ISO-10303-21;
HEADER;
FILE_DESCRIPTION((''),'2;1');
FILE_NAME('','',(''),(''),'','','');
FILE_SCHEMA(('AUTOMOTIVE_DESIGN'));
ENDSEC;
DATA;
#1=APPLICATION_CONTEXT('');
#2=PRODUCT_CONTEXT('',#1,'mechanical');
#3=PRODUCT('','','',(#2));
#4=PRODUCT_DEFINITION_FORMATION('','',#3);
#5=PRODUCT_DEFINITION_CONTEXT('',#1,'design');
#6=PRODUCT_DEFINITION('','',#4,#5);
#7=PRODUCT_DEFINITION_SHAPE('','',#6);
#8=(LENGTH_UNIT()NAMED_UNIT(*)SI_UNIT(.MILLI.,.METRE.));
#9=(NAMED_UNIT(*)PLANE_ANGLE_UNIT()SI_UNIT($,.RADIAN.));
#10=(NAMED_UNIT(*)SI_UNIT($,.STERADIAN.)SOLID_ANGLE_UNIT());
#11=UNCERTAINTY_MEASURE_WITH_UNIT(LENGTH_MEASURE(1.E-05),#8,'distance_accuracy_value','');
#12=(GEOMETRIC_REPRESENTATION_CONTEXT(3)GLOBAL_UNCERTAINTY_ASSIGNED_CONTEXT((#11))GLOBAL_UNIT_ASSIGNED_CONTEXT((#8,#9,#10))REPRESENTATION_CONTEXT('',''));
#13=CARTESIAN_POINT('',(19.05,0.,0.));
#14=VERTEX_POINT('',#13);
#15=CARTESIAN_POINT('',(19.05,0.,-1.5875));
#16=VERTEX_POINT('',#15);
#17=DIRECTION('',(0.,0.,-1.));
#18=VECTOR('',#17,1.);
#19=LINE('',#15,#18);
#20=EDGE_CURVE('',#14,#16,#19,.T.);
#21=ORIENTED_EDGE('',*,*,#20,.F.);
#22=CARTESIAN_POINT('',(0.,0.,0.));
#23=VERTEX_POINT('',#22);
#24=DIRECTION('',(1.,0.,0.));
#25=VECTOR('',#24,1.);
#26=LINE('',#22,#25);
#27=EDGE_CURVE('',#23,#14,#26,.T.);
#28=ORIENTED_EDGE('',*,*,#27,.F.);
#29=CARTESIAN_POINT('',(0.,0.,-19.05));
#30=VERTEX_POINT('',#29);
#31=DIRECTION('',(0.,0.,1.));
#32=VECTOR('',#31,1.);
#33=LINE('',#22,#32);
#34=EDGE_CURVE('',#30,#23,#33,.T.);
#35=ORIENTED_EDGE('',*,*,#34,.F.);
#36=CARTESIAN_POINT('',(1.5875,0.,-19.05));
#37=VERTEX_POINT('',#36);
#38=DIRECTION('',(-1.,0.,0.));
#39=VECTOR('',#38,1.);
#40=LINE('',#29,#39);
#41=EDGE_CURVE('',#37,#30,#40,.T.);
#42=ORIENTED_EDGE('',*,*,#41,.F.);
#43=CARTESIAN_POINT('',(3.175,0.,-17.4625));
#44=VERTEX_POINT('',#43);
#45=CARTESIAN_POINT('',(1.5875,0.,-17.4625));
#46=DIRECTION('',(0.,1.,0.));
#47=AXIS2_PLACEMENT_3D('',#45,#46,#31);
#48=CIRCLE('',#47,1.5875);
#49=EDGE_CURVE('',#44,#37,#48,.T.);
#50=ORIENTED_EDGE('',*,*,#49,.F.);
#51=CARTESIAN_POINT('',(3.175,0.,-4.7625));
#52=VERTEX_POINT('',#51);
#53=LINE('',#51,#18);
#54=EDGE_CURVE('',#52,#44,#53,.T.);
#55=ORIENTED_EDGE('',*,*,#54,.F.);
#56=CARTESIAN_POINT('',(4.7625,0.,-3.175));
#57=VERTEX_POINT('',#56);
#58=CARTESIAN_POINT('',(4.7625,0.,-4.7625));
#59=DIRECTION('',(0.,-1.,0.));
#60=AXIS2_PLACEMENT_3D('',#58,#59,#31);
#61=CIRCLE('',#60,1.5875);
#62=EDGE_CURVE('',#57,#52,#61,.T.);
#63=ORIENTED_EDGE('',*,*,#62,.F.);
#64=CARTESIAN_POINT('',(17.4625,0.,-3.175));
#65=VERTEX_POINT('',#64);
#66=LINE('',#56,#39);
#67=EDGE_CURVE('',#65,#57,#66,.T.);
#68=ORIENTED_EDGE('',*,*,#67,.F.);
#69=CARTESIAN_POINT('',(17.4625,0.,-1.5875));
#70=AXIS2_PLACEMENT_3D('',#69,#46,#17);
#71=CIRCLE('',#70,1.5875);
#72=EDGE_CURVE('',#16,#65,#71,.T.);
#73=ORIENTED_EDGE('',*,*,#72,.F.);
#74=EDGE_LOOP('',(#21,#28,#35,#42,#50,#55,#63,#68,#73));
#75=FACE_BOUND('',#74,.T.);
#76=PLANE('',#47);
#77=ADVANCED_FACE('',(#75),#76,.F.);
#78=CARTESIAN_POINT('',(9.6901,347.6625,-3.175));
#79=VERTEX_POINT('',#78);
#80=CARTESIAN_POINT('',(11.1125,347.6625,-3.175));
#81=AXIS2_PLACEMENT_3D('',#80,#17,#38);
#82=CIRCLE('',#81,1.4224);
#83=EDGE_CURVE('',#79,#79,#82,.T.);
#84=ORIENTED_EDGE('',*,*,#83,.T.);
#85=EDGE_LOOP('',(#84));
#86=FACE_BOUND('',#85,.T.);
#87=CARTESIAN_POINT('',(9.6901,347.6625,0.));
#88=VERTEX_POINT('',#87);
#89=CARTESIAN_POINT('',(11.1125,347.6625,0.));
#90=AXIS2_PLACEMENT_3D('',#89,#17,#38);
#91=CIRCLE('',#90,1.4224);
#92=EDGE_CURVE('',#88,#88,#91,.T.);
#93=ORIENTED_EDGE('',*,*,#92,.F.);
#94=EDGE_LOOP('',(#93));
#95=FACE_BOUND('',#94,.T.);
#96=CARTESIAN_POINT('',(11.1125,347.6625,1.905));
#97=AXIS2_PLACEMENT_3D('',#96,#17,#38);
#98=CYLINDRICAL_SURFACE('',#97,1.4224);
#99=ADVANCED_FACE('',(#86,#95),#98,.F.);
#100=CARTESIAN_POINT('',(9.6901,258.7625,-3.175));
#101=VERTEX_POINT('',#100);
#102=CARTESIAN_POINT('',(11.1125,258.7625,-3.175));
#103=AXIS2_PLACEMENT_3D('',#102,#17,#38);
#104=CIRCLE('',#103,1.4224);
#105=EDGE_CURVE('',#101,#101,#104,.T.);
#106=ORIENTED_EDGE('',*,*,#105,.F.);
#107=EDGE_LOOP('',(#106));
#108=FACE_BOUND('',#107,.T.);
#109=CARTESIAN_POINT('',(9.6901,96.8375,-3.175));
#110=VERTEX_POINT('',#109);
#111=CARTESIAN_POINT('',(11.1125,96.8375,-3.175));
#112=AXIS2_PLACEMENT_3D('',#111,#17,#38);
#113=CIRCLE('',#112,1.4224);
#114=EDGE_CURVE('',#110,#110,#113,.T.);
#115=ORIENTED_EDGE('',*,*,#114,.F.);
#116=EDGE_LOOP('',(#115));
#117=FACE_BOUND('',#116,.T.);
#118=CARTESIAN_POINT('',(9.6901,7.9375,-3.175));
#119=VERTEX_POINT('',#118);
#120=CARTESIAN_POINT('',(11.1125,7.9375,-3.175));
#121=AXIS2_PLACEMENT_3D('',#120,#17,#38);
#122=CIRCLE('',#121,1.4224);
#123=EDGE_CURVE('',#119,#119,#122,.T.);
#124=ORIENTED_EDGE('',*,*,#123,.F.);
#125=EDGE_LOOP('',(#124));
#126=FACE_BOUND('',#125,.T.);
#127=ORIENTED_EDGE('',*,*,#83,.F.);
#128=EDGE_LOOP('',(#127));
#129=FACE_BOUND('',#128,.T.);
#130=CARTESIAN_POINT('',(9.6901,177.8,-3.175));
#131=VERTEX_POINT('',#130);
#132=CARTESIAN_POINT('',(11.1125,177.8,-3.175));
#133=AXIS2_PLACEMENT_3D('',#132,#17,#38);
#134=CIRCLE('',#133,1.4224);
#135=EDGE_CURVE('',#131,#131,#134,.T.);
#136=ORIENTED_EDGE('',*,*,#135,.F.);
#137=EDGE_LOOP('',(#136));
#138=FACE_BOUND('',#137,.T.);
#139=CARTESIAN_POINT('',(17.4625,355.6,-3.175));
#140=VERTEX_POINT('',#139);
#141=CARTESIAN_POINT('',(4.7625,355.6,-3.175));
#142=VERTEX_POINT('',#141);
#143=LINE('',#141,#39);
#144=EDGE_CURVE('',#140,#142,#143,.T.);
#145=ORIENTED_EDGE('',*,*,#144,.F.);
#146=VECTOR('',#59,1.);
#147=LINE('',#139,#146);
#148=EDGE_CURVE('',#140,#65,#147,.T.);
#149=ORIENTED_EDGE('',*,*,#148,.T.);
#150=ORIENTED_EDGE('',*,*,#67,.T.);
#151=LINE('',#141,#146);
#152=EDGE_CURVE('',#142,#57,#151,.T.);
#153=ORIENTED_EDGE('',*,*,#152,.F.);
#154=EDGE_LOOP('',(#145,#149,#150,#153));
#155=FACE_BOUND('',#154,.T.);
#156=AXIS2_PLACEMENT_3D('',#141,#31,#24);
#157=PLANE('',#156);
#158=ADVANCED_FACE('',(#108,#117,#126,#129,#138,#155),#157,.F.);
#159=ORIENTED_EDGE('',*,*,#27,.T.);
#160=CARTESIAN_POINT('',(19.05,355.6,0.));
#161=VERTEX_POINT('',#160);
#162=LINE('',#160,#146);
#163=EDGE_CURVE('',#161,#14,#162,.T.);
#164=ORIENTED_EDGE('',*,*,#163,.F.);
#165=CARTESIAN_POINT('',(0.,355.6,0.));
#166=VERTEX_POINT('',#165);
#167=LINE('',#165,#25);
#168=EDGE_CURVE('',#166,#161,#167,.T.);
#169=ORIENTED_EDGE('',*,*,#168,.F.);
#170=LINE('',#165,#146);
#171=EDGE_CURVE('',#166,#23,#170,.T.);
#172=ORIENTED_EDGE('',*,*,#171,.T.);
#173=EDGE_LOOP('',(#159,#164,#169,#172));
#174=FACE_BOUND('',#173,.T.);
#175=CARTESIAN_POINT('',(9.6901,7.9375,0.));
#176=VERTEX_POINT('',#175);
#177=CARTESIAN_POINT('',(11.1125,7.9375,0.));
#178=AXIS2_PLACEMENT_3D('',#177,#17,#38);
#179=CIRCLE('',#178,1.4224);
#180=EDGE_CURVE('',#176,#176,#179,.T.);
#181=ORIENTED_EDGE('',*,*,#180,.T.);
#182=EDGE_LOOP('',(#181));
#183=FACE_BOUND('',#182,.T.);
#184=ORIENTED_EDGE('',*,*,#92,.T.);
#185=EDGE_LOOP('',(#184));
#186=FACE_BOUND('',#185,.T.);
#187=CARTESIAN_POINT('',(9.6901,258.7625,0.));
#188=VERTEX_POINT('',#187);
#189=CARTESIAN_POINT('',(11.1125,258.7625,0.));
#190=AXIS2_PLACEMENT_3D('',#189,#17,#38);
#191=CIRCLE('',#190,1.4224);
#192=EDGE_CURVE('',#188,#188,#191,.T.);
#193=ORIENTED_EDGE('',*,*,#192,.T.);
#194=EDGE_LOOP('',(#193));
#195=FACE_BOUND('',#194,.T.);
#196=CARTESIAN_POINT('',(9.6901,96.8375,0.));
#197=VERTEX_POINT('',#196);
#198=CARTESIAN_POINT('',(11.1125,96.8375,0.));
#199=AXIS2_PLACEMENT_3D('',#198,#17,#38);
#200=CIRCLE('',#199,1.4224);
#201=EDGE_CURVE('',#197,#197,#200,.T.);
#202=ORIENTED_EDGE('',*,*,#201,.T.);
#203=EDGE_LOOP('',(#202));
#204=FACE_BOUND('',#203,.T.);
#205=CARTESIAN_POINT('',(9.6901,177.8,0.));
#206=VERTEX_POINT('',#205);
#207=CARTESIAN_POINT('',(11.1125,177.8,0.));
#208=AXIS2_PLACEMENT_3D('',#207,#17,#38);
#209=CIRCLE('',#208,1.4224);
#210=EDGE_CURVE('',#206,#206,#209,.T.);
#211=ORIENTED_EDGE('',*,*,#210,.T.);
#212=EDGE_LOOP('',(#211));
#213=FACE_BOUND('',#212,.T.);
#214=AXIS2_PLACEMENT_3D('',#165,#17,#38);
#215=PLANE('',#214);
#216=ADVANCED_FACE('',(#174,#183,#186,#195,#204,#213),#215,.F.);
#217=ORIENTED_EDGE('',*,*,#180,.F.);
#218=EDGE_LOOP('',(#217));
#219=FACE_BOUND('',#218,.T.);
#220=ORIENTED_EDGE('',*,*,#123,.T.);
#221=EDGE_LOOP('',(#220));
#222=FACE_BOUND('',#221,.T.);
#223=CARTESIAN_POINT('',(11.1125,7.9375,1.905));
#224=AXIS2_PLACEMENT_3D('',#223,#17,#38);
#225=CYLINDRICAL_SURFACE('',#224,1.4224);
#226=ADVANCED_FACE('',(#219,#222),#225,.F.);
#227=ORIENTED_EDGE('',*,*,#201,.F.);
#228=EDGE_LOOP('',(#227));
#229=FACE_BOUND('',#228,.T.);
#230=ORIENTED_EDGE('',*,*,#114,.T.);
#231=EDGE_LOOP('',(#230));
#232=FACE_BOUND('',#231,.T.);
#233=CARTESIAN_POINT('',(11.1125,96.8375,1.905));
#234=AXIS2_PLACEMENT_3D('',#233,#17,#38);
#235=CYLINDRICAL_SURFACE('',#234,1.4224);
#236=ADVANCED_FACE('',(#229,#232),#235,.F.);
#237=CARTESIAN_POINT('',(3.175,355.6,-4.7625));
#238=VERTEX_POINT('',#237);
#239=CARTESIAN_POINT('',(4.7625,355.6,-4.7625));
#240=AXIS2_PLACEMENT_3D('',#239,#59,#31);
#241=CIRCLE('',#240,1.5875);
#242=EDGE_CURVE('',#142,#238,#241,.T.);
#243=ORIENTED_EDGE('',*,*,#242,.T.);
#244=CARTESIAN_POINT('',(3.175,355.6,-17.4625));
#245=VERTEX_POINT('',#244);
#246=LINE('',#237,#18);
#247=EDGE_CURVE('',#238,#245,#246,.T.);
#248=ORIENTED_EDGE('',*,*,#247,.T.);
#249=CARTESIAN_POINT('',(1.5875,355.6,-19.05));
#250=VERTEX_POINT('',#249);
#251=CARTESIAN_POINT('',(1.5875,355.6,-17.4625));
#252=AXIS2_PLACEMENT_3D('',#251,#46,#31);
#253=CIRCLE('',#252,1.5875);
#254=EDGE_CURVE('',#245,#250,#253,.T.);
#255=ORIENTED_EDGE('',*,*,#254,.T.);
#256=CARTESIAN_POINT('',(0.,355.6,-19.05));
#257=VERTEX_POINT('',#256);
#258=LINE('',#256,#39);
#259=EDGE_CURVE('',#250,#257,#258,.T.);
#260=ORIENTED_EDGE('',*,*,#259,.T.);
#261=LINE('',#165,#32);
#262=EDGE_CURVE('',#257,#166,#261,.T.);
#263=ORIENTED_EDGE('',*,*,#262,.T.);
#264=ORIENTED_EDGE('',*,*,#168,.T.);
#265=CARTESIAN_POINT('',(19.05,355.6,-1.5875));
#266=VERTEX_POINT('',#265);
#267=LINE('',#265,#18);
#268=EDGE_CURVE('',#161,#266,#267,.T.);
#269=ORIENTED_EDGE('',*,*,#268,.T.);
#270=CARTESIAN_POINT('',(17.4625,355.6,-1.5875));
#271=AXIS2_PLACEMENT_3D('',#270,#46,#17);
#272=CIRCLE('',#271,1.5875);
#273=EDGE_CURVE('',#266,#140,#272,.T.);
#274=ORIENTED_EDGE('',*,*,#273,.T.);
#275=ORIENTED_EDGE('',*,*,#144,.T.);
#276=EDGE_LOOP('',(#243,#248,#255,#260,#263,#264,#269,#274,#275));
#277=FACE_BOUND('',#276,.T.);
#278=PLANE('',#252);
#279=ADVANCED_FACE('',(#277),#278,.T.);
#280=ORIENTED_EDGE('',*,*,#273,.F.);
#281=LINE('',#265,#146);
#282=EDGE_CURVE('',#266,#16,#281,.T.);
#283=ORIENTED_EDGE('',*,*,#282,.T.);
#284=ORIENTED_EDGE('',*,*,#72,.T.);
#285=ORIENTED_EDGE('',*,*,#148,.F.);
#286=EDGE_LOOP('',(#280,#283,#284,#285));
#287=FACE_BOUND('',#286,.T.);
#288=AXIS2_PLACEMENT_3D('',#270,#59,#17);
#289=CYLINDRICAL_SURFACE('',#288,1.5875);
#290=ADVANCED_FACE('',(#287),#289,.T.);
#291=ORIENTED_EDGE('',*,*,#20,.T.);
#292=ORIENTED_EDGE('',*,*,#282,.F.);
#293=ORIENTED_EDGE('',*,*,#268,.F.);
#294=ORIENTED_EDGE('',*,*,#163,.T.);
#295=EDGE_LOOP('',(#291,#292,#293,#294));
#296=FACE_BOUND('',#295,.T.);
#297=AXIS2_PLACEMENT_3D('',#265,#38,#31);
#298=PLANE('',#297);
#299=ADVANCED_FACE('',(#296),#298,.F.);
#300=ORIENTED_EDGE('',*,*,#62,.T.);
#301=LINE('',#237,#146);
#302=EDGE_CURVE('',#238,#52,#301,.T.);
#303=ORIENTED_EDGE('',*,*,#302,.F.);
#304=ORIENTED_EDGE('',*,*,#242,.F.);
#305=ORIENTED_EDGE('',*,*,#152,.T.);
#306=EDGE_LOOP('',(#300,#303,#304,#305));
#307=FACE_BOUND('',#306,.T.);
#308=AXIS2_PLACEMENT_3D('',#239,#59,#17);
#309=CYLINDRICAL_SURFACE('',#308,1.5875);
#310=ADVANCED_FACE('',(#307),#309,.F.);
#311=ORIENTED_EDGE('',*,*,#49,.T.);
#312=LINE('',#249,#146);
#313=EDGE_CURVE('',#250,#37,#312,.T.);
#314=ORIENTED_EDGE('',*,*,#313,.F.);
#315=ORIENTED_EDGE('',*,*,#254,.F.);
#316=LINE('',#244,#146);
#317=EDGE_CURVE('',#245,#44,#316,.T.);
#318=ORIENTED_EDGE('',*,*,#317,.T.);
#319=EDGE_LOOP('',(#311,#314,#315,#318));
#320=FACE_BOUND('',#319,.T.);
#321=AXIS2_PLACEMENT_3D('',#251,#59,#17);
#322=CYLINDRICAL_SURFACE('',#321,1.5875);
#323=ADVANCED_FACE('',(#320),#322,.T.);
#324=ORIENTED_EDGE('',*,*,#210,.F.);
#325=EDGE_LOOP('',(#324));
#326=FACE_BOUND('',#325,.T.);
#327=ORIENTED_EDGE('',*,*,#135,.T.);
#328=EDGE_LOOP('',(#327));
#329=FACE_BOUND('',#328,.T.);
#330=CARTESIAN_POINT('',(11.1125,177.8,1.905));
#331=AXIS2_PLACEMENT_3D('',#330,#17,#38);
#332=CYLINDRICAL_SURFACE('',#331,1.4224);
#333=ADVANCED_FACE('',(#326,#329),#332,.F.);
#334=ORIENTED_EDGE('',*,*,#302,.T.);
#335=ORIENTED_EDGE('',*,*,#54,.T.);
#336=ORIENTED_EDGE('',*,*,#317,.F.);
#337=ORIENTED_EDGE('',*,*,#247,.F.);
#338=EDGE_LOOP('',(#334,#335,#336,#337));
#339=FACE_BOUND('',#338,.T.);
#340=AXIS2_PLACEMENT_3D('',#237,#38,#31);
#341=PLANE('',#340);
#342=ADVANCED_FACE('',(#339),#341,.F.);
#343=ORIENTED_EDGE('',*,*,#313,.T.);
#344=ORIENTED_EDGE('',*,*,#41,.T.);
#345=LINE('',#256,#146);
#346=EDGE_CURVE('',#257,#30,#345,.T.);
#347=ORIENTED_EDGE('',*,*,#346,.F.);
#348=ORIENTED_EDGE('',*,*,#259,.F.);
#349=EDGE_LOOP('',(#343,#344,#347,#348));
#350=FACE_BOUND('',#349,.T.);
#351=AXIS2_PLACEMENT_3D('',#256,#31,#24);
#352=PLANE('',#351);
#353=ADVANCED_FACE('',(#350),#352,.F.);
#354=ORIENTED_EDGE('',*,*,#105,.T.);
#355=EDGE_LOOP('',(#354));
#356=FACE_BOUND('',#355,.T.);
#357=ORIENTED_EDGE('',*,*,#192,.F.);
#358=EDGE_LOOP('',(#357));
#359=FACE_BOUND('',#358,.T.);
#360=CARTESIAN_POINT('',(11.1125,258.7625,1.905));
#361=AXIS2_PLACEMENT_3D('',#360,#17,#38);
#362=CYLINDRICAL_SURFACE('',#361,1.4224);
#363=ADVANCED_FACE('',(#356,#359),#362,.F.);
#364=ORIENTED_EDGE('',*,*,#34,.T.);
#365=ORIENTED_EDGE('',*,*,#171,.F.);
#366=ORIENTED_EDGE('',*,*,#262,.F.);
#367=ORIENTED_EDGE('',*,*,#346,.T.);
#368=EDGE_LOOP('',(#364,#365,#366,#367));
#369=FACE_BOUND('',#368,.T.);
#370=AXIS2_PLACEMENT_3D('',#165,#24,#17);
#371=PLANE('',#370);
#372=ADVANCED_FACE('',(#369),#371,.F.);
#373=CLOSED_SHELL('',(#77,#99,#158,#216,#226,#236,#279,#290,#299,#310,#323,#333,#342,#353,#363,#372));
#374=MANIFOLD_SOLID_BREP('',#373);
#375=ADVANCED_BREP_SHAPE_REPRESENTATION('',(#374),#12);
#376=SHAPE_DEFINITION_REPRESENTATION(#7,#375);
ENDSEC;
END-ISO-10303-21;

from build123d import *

# Parameters (mm, degrees)
BOSS_EXTRUDE1_DEPTH = 355.6
SKETCH3_R           = 1.4224
CUT_EXTRUDE1_DEPTH  = 5.08


with BuildPart() as part:
    # Sketch2 → Boss-Extrude1 (new body)
    with BuildSketch(Plane(origin=(0, 0, 0), x_dir=(1, 0, 0), z_dir=(0, 1, 0))):
        with BuildLine():
            Line((0, 0), (19.05, 0))
            Line((19.05, 0), (19.05, 1.5875))
            ThreePointArc((19.05, 1.5875), (18.585032015, 2.710032015), (17.4625, 3.175))
            Line((17.4625, 3.175), (4.7625, 3.175))
            ThreePointArc((4.7625, 3.175), (3.639967985, 3.639967985), (3.175, 4.7625))
            Line((3.175, 4.7625), (3.175, 17.4625))
            ThreePointArc((3.175, 17.4625), (2.710032015, 18.585032015), (1.5875, 19.05))
            Line((1.5875, 19.05), (0, 19.05))
            Line((0, 19.05), (0, 0))
        make_face()
    extrude(amount=BOSS_EXTRUDE1_DEPTH)

    # Sketch3 → Cut-Extrude1 (cut)
    with BuildSketch(Plane(origin=(0, 0, -3.175), x_dir=(-1, 0, 0), z_dir=(0, 0, -1))):
        with Locations((-11.1125, 7.9375)):
            Circle(SKETCH3_R)
        with Locations((-11.1125, 347.6625)):
            Circle(SKETCH3_R)
        with Locations((-11.1125, 96.8375)):
            Circle(SKETCH3_R)
        with Locations((-11.1125, 177.8)):
            Circle(SKETCH3_R)
        with Locations((-11.1125, 258.7625)):
            Circle(SKETCH3_R)
    extrude(amount=-CUT_EXTRUDE1_DEPTH, mode=Mode.SUBTRACT)


solid = part.part
